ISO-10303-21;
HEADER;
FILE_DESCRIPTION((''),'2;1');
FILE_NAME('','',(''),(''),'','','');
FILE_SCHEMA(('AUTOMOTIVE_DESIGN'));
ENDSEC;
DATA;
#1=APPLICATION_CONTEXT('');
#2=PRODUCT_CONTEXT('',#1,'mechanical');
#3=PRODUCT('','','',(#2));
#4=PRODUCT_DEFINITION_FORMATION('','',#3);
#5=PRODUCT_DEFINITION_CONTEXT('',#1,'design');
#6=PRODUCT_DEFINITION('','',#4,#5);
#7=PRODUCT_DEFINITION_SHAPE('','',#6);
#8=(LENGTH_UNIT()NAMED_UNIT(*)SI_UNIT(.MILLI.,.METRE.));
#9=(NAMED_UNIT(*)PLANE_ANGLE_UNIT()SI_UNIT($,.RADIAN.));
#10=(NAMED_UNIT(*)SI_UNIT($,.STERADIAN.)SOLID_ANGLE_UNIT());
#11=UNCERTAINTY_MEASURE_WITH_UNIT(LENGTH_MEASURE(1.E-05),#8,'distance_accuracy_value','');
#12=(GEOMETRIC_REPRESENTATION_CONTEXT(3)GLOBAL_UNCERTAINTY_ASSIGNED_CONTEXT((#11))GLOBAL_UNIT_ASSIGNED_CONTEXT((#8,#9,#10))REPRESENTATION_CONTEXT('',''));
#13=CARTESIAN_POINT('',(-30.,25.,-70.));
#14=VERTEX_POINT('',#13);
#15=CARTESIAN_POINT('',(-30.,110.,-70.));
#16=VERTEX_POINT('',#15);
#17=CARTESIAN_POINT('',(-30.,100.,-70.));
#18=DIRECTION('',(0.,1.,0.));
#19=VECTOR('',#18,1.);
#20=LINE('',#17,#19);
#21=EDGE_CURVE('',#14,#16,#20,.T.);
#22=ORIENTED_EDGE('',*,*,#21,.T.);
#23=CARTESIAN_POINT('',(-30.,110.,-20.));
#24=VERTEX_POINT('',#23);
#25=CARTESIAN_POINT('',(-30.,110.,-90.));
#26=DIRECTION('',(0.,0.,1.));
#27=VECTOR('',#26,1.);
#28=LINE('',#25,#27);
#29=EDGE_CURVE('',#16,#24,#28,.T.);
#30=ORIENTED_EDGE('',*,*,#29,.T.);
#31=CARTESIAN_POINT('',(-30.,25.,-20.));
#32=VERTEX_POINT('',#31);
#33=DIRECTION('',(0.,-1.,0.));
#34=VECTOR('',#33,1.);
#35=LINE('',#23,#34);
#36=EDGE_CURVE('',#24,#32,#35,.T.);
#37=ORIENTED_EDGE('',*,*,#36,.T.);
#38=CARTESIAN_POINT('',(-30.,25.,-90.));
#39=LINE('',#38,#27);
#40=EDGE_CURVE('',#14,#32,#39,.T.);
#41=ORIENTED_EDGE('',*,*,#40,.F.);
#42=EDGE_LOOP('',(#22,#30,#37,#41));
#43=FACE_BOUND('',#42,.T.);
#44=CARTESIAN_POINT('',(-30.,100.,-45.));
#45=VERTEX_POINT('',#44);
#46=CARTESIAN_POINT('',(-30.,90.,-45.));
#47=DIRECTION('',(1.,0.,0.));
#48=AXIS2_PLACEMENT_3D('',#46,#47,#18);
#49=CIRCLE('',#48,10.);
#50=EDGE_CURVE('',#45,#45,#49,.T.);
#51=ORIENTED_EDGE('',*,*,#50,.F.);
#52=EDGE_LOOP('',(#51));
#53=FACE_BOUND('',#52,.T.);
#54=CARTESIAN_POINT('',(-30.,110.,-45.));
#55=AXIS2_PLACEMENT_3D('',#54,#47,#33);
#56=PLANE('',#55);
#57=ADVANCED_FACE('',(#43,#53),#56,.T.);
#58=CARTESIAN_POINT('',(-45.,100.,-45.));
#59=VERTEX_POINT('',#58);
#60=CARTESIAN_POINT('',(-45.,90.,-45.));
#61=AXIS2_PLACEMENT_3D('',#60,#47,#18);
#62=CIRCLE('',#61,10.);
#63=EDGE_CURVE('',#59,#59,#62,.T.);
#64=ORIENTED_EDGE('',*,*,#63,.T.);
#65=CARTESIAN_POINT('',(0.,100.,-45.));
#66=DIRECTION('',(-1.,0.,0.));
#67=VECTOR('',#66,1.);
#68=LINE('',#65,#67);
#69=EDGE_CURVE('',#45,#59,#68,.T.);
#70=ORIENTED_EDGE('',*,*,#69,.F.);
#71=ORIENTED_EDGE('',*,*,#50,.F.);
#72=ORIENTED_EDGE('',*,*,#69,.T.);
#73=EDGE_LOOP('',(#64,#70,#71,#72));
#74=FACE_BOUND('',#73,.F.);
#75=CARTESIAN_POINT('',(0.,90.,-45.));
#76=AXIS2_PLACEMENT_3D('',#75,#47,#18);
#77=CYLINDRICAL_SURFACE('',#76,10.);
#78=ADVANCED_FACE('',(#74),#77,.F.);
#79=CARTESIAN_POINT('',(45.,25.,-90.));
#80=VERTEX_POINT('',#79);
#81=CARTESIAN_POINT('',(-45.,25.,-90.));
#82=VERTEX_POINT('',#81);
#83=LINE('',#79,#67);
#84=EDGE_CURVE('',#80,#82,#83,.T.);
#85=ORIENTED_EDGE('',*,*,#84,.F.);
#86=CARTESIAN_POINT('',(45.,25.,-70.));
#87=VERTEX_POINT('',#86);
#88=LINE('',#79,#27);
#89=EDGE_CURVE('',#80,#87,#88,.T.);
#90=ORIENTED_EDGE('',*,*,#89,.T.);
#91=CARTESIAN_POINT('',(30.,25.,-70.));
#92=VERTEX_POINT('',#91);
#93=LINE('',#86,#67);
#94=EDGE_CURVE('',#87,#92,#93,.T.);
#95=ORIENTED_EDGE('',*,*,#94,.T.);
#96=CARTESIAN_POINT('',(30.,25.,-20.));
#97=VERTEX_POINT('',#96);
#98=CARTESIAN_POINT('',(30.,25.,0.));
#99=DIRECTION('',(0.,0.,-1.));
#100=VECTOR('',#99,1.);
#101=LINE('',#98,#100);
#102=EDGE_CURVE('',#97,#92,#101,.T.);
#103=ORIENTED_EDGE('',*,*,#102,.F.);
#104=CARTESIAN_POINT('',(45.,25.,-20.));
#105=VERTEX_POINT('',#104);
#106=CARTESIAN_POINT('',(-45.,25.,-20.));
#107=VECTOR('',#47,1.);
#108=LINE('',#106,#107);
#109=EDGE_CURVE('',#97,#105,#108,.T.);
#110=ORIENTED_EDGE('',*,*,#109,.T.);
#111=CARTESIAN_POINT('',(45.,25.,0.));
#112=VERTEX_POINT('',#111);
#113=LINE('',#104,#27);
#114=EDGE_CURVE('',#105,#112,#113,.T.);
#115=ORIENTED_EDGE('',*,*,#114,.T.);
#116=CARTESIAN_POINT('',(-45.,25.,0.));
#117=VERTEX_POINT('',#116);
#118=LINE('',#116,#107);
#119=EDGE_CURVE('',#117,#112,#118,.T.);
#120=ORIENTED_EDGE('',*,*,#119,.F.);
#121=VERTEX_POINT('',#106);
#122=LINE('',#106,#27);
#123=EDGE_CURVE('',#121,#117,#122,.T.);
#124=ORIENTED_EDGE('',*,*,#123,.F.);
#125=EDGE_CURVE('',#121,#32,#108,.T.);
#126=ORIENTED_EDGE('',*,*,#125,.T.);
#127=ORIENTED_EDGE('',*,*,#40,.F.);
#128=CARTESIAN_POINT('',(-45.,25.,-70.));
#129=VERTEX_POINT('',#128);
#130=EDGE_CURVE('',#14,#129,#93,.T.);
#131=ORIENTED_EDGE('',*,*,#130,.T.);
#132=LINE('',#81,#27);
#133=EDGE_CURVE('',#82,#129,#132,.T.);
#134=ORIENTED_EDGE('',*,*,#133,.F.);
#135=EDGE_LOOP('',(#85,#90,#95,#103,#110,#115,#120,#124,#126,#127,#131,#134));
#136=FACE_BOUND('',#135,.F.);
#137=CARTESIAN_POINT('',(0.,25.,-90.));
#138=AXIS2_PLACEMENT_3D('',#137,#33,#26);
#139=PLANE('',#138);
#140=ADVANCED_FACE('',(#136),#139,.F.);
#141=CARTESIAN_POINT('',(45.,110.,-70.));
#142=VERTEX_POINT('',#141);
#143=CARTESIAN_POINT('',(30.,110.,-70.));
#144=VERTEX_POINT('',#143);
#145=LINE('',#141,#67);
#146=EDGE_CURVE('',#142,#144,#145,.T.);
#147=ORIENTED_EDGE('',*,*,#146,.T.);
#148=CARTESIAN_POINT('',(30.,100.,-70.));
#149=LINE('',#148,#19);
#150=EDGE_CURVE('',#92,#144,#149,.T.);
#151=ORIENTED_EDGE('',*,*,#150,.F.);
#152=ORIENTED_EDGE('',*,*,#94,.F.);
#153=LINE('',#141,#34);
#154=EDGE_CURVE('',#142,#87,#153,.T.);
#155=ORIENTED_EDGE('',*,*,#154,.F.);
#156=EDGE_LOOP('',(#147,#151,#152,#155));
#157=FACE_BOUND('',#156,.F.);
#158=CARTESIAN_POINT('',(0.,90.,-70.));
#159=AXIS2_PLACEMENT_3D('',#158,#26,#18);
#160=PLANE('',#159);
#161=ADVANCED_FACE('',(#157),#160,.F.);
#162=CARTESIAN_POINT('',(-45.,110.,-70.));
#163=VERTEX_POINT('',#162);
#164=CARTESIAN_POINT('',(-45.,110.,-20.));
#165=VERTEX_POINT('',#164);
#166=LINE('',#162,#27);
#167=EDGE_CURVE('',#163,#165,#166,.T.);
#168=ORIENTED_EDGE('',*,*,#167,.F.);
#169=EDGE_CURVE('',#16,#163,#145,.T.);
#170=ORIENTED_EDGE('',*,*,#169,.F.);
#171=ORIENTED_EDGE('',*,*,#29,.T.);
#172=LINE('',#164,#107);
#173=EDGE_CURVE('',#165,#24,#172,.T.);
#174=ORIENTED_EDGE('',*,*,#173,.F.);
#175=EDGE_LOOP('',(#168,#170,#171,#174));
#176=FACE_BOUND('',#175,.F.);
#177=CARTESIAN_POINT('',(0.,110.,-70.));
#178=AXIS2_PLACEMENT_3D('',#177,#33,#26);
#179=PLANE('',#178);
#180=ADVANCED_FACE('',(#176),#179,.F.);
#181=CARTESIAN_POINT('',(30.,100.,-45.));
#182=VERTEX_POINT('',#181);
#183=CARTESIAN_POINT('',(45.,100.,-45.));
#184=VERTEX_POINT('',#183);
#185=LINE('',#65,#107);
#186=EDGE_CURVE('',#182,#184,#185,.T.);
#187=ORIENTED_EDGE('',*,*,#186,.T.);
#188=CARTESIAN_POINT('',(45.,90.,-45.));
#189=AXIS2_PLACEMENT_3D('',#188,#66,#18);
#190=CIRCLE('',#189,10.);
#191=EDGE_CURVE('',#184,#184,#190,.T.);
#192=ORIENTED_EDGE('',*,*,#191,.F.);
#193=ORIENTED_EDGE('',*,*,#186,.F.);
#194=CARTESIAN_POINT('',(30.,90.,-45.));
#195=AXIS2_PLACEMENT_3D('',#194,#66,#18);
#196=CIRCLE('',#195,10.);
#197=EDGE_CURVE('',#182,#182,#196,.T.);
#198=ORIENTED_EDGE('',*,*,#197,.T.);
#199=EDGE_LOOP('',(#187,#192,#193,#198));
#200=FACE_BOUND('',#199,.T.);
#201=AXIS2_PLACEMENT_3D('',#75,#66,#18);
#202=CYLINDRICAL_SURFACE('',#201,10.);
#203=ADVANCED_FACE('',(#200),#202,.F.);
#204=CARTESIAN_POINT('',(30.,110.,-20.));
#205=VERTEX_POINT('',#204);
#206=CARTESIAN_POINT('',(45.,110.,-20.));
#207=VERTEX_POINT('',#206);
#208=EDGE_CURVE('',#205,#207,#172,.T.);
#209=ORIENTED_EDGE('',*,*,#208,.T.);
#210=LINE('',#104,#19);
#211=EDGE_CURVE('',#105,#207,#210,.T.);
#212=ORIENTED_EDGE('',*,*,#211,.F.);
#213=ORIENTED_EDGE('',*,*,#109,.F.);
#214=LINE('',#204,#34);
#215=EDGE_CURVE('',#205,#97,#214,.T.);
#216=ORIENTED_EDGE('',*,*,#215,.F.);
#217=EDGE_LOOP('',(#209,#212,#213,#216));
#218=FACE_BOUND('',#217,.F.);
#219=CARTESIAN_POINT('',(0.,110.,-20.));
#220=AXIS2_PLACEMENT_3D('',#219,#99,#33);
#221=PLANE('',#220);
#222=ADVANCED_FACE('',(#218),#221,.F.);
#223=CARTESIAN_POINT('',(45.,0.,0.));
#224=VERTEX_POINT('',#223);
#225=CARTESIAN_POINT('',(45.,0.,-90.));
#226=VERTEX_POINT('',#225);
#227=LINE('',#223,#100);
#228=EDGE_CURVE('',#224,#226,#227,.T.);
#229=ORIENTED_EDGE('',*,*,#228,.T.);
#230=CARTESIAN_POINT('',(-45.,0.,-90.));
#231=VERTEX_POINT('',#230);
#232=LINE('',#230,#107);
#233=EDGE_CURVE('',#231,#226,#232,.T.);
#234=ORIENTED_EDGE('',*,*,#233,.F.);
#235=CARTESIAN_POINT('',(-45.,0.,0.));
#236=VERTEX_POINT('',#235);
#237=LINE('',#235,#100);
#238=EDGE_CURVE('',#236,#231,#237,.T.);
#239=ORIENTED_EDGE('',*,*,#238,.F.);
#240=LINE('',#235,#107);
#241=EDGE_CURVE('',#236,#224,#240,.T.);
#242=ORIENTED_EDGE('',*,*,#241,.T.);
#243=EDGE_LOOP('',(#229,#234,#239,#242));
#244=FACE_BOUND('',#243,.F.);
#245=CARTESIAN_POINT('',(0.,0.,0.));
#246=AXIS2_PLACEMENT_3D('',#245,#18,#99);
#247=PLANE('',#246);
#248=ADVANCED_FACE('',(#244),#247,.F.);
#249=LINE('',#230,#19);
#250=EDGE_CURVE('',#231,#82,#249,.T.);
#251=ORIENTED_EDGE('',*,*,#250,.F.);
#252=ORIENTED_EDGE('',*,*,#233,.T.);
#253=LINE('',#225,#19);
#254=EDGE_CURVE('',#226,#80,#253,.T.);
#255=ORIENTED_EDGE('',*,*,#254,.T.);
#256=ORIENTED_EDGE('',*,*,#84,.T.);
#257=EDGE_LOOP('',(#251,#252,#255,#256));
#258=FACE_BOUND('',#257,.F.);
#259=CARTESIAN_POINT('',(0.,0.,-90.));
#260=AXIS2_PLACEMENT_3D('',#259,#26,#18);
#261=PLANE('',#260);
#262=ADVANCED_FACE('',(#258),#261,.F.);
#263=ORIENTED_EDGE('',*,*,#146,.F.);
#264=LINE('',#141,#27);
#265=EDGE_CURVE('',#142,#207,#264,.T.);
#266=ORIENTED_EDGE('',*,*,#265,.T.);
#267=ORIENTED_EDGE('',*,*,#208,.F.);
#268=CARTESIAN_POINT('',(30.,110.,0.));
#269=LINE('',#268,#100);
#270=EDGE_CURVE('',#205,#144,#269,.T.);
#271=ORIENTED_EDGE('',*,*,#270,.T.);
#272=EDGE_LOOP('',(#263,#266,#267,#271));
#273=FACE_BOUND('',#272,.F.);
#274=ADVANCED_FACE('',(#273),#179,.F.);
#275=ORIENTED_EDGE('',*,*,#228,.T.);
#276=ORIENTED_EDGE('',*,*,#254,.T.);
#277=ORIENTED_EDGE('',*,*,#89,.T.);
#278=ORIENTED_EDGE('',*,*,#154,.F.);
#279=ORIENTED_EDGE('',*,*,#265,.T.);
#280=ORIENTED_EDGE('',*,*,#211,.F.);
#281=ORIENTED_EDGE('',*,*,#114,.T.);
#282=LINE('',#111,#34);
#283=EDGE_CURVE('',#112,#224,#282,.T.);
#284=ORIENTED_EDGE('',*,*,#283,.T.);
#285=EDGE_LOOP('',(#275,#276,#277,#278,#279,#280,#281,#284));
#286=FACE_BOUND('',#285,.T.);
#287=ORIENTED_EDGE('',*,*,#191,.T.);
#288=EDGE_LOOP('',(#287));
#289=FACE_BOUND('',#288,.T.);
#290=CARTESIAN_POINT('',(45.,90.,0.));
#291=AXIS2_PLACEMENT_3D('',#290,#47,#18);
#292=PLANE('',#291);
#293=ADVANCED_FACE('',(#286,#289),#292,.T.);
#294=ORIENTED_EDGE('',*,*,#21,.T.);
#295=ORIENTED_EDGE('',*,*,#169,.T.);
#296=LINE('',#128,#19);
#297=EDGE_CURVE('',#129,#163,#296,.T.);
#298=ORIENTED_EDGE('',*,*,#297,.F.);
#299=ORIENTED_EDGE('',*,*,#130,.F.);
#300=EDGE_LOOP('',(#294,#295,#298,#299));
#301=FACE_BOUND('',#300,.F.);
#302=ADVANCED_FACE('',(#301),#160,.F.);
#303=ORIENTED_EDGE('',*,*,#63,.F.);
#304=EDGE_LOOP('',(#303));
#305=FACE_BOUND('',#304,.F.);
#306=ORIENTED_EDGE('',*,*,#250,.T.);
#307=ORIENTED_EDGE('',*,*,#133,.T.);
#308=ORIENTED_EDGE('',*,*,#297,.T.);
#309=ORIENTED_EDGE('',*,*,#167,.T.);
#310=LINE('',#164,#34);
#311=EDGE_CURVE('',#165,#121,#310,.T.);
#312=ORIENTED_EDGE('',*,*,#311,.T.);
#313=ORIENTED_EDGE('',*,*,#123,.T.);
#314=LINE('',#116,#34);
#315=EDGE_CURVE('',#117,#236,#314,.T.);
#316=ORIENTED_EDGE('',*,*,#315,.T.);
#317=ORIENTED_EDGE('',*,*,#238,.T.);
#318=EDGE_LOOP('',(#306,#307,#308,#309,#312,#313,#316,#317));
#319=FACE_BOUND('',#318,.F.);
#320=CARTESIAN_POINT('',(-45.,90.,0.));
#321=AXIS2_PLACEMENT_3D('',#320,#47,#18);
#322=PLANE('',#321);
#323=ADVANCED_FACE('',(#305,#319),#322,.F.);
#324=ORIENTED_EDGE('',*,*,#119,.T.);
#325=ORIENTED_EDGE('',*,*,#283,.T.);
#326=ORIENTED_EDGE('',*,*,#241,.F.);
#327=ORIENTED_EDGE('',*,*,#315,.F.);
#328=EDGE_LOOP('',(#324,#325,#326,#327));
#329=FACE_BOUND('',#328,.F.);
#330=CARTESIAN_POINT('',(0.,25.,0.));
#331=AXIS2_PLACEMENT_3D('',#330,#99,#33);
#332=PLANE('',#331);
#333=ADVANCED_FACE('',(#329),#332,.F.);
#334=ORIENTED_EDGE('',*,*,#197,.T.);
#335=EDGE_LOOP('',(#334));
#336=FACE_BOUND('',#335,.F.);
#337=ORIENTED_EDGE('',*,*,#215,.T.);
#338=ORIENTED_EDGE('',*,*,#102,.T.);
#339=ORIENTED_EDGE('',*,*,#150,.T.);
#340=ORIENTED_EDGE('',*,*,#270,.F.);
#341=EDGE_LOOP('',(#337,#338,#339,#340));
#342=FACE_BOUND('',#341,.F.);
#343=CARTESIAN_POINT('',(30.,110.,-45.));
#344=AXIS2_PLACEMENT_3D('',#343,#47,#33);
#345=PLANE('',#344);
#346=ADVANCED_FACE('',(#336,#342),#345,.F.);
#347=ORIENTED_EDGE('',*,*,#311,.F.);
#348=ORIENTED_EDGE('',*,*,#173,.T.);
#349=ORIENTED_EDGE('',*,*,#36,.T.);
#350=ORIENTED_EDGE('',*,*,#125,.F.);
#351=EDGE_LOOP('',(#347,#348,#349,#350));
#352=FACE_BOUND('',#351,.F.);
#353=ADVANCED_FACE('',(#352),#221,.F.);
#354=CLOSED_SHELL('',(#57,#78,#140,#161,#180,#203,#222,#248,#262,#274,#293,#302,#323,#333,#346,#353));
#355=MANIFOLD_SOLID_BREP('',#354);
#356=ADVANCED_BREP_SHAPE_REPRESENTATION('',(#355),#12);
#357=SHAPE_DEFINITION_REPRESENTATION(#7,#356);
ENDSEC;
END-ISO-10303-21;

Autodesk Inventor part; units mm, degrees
ref_plane "YZ Plane" through (0, 0, 0) normal (1, 0, 0) x (0, 1, 0)
ref_plane "XZ Plane" through (0, 0, 0) normal (0, 1, 0) x (-1, 0, 0)
sketch "Sketch1" plane through (0, 0, 0) normal (1, 0, 0) x (0, 1, 0)
  line L0 (0, 0) -> (90, 0)
  line L1 (90, 0) -> (90, -90)
  line L2 (90, -90) -> (0, -90)
  line L3 (0, -90) -> (0, 0)
  dimension "d0" = 90
  dimension "d1" = 90
ref_plane "Work Plane1" through (0, 90, 0) normal (1, 0, 0) x (0, 1, 0)
sketch "Sketch2" plane through (0, 90, 0) normal (1, 0, 0) x (0, 1, 0)
  line L0 (20, -20) -> (-65, -20)
  line L1 (-65, -20) -> (-65, 0)
  line L2 (-65, 0) -> (-90, 0)
  line L3 (-90, 0) -> (-90, -90)
  line L4 (-90, -90) -> (-65, -90)
  line L5 (-65, -90) -> (-65, -70)
  line L6 (-65, -70) -> (20, -70)
  line L7 (20, -70) -> (20, -20)
  line L8 (0, -90) -> (0, 0) projected
  line L9 (0, 0) -> (0, -90)
  line L10 (-90, 0) -> (-90, -90) projected
  line L11 (0, -90) -> (-90, -90)
  line L12 (-90, -90) -> (-90, 0)
  line L13 (-90, 0) -> (0, 0)
  line L14 (0, -45) -> (-90, -45) construction
  circle A0 centre (0, -45) radius 10
  point P0 (20, -45)
  point P1 (-90, -45)
  point P2 (0, -70)
  point P3 (-65, 0)
  point P4 (0, -20)
  point P5 (0, -35)
  point P6 (0, -55)
  dimension "d4" = 90
  dimension "d7" = 50
  dimension "d10" = 20
  dimension "d11" = 90
  dimension "d13" = 25
  dimension "d14" = 25
  dimension "d27" = 110
ref_plane "Work Plane2" through (45, 110, -45) normal (0, 0, 1) x (1, 0, 0)
sketch "Sketch4" plane through (45, 110, -45) normal (0, 0, 1) x (1, 0, 0)
  line L0 (-90, 0) -> (0, 0) projected
  line L1 (-90, 0) -> (0, 0)
  line L2 (0, 0) -> (0, -110)
  line L3 (0, -110) -> (-90, -110)
  line L4 (-90, -110) -> (-90, 0)
  line L5 (-90, 0) -> (-75, 0)
  line L6 (-75, 0) -> (-15, 0)
  line L7 (-15, 0) -> (0, 0)
  line L8 (0, -110) -> (0, 0)
  line L9 (0, -110) -> (0, -85)
  line L10 (0, -85) -> (-90, -85)
  line L11 (-75, 0) -> (-75, -85)
  line L12 (-15, 0) -> (-15, -85)
  point P0 (-45, -110)
  dimension "d22" = 15
  dimension "d23" = 60
  dimension "d24" = 25
  dimension "d28" = 110
extrude "Extrusion6" add sketch "Sketch2" along normal mid plane 90 contours L7 L6 L8 A0 L0 | L8 A0 L6 L5 L4 L3 L2 L1 L0
extrude "Extrusion7" cut sketch "Sketch4" along normal mid plane 90 contours L0 L12 L10 L11
properties part number "CT_01"
